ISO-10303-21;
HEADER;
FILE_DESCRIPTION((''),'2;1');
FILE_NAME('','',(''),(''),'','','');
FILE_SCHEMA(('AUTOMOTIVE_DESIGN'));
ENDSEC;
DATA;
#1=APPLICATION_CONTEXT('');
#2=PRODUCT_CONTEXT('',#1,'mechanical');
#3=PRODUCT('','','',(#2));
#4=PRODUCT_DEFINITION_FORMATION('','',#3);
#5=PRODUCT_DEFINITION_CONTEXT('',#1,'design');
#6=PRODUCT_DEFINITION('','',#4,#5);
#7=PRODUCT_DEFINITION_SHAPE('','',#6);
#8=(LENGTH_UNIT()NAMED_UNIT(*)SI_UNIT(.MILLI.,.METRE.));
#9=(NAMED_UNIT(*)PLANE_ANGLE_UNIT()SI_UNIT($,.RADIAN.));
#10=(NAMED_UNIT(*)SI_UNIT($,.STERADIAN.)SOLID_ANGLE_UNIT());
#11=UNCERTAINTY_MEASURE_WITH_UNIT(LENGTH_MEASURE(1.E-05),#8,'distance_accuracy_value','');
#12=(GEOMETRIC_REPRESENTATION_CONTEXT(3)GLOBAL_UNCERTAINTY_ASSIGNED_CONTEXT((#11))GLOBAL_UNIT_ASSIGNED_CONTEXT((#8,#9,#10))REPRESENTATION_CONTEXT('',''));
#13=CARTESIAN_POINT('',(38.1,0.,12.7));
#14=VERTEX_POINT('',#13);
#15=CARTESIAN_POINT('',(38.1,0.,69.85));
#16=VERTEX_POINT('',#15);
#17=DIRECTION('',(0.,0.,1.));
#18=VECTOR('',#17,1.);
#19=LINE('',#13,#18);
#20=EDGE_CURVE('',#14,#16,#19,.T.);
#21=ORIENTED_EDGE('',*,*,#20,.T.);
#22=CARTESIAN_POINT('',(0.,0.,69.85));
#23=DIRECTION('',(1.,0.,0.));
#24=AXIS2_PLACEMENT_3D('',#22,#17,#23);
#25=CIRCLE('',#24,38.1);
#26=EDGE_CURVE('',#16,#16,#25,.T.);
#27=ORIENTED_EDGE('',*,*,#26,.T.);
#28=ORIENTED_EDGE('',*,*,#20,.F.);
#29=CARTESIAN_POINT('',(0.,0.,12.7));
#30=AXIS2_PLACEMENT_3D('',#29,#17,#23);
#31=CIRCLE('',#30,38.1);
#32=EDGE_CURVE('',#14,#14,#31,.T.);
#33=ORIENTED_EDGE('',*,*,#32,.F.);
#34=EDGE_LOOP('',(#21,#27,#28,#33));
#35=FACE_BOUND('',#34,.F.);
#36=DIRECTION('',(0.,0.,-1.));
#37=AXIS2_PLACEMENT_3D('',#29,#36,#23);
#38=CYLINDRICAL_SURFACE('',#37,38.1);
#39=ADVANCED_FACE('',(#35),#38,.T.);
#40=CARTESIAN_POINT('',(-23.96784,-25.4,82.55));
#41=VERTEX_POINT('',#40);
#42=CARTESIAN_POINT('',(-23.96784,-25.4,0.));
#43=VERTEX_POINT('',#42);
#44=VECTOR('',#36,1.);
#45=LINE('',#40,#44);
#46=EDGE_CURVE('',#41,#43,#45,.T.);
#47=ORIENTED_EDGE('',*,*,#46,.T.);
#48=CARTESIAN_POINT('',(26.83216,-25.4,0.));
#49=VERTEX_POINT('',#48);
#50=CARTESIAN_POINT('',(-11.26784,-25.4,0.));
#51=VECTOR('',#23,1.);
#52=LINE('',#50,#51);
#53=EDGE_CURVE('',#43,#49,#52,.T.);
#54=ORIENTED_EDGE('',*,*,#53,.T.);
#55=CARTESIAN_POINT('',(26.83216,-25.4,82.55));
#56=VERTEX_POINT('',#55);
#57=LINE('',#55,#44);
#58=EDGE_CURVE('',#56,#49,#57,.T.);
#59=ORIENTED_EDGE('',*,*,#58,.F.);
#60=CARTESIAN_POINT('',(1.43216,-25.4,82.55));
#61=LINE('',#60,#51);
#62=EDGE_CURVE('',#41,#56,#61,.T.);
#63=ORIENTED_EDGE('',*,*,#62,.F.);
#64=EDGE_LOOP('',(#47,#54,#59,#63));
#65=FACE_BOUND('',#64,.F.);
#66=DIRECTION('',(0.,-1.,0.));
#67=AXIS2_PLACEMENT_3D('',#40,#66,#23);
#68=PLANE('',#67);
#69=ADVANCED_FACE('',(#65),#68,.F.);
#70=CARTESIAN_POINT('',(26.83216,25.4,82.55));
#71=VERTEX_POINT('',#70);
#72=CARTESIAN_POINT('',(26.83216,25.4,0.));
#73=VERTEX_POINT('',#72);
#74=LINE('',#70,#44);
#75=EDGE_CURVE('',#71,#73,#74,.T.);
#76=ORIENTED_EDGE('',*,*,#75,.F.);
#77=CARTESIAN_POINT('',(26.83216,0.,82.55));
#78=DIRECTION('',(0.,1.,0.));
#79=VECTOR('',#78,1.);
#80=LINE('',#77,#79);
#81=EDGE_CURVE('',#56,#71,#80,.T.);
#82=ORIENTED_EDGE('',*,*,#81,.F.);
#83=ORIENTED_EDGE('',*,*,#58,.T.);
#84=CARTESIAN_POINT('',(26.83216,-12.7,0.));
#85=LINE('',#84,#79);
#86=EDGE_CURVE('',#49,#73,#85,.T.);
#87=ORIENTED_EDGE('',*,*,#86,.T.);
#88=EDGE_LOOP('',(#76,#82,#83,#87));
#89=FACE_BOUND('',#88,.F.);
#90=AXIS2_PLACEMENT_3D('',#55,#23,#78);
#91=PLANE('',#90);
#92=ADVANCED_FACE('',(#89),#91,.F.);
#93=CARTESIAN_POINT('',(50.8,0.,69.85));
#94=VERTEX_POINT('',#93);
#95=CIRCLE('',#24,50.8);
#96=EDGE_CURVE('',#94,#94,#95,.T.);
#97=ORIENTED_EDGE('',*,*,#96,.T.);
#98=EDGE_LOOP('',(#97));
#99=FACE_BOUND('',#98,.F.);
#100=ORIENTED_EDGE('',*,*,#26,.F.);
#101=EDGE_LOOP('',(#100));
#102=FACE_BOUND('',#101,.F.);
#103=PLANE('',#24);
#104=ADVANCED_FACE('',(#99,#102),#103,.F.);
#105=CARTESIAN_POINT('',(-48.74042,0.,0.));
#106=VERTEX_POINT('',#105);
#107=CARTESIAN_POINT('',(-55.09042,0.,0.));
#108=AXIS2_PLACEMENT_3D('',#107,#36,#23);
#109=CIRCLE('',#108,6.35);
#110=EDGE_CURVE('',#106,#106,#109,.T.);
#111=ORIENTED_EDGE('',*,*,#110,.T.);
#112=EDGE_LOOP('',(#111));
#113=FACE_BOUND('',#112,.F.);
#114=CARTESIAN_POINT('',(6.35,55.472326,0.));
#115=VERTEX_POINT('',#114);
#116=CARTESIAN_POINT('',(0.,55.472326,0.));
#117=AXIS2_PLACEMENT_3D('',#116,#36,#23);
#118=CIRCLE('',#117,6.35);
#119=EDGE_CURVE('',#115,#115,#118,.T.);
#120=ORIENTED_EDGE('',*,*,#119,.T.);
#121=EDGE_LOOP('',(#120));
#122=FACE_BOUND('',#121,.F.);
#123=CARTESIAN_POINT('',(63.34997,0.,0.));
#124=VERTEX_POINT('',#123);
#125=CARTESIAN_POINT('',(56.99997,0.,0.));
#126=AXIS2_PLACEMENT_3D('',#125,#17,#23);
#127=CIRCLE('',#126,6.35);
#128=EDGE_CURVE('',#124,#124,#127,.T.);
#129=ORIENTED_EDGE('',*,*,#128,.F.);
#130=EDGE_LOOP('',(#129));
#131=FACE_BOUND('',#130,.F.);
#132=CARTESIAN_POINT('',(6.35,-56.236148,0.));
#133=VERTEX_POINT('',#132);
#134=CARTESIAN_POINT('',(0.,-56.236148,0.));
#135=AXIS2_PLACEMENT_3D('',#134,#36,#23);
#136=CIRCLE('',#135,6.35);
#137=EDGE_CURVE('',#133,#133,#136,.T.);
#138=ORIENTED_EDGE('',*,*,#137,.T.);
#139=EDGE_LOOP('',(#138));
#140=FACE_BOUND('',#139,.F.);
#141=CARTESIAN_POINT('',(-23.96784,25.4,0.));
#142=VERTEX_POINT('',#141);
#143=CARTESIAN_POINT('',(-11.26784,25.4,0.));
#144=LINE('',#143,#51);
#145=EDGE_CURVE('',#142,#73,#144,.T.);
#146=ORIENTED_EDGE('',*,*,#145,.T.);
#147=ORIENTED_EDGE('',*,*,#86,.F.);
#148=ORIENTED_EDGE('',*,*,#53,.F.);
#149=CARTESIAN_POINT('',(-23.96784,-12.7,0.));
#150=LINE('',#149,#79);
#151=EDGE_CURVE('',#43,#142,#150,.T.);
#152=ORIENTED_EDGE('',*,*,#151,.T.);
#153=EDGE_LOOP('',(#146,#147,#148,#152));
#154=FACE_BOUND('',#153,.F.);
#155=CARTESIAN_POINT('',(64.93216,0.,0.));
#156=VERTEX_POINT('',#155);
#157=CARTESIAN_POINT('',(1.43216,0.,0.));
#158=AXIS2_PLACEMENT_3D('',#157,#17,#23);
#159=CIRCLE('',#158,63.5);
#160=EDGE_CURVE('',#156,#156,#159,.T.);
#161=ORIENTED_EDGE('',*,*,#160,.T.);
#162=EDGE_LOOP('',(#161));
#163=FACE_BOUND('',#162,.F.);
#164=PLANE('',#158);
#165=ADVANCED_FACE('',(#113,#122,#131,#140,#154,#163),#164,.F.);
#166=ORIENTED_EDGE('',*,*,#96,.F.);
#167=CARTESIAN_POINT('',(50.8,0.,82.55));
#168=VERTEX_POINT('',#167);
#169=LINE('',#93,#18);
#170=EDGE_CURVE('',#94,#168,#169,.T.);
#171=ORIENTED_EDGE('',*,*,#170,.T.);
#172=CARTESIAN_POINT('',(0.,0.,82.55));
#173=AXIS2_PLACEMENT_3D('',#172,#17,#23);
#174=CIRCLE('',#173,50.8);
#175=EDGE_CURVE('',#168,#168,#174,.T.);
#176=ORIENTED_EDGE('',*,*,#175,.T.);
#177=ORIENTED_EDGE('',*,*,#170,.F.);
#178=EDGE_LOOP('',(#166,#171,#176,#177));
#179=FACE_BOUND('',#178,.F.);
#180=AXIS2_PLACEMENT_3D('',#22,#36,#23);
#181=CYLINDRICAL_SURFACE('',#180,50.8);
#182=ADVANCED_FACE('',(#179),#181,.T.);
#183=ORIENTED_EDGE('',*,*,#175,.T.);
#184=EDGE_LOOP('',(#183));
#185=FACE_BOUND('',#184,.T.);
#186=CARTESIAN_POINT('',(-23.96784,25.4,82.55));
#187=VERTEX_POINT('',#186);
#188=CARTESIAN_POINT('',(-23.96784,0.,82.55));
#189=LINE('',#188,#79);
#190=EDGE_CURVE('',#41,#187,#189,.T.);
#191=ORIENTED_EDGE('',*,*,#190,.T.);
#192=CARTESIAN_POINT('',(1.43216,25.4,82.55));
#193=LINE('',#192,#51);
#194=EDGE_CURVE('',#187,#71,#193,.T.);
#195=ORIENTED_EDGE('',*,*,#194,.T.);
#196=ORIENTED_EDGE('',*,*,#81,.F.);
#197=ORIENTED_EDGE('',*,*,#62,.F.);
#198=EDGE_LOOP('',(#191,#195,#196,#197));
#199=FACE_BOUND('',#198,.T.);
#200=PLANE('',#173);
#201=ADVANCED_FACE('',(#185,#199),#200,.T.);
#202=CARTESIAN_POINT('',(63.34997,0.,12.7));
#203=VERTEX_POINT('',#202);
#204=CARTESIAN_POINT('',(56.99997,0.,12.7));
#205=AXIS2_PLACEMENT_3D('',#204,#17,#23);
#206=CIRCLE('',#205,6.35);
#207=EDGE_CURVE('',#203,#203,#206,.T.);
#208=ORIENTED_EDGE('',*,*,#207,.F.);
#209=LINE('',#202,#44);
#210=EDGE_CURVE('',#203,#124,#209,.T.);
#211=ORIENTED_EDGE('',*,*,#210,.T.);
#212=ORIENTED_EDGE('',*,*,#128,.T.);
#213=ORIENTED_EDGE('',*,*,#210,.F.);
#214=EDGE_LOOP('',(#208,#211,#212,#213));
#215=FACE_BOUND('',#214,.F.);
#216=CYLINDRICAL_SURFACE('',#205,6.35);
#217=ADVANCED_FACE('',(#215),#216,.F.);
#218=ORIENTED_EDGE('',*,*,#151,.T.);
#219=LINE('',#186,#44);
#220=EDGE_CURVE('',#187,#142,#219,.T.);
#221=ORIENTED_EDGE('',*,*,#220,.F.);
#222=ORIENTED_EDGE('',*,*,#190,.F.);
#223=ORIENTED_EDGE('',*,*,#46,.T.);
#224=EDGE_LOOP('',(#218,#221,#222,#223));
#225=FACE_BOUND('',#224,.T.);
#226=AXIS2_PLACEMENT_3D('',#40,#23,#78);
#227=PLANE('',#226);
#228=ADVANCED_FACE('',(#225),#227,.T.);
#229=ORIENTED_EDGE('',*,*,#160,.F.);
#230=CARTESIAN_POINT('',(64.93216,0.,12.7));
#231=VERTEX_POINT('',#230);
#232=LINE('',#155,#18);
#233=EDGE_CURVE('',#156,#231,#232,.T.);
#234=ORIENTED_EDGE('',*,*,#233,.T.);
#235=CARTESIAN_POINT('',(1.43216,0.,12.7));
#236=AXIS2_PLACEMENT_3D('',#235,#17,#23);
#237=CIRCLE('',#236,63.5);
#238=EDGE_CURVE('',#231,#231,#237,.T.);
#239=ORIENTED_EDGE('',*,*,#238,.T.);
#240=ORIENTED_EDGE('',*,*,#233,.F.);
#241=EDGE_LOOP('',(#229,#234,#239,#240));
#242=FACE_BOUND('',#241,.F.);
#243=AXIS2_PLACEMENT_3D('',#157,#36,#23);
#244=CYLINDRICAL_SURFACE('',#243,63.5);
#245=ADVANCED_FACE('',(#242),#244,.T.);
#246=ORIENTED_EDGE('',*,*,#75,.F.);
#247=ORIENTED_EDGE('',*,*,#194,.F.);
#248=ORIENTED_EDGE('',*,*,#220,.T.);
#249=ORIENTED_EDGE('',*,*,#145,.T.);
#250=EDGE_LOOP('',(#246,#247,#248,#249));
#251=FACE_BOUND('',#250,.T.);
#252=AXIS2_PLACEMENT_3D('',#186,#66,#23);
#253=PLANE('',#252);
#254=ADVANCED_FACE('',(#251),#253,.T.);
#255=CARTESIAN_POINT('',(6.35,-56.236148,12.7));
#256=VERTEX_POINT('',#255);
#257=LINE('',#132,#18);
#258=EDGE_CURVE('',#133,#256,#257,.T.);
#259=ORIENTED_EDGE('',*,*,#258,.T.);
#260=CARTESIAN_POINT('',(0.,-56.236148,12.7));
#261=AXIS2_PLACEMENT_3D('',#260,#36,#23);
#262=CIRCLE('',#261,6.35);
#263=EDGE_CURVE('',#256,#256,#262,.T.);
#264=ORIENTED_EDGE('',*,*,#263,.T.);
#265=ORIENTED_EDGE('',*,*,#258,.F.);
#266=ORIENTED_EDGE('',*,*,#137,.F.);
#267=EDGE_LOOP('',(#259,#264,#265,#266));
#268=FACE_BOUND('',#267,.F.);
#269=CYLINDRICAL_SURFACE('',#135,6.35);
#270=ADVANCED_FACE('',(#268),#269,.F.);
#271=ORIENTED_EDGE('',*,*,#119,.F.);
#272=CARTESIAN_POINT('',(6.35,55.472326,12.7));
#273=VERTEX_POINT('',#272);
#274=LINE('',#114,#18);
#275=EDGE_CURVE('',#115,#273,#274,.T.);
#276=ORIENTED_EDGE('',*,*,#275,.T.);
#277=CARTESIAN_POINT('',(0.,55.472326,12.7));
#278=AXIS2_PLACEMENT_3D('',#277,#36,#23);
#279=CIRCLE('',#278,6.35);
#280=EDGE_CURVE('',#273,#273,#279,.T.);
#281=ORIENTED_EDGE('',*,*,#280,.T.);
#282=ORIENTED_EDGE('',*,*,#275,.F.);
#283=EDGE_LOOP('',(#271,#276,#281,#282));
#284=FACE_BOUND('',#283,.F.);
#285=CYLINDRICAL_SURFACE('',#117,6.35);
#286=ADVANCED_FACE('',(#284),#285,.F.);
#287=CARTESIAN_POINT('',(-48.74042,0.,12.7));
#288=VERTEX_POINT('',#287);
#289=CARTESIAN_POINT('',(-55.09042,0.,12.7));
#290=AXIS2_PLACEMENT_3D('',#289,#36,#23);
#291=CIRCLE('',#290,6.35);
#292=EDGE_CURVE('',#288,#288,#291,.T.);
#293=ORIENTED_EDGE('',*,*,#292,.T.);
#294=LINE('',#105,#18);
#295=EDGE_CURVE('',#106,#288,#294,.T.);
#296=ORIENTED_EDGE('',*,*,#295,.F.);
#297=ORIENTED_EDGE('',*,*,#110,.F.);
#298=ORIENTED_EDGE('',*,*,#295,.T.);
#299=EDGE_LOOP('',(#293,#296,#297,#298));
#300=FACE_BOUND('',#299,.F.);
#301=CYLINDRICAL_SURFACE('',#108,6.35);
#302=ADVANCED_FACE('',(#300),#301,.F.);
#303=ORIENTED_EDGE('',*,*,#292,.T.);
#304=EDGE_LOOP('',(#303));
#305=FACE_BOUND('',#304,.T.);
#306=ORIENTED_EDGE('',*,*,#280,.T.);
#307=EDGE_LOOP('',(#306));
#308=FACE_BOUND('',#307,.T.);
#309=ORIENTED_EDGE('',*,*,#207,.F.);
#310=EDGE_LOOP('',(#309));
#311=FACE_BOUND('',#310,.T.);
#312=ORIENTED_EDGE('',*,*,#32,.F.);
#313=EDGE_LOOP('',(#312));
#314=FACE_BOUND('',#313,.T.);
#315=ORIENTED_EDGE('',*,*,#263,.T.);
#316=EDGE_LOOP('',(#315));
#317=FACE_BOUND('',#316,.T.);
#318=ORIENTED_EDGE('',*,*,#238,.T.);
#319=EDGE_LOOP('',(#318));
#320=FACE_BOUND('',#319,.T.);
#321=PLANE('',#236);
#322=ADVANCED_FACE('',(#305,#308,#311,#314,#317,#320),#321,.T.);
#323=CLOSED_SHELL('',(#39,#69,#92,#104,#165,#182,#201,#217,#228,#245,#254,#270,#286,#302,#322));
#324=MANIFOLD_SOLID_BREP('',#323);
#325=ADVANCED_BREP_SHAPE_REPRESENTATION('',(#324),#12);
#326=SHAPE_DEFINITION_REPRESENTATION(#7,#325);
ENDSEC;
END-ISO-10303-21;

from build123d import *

# Parameters (mm, degrees)
F0_R      = 63.5
F1_DEPTH  = 12.7
F2_R      = 38.1
F3_DEPTH  = 57.15
F4_R      = 50.8
F5_DEPTH  = 12.7
F6_R      = 6.35
F7_DEPTH  = 25.4
F8_R      = 6.35
F9_DEPTH  = 25.4
F10_R     = 6.35
F11_DEPTH = 25.4
F12_R     = 6.35
F13_DEPTH = 25.4
F14_W     = 50.8
F14_H     = 50.8
F15_DEPTH = 101.6


with BuildPart() as f1:
    # F0 (on Top) → F1 (new body)
    with BuildSketch(Plane.XY):
        with Locations((1.4321604976, 0)):
            Circle(F0_R)
    extrude(amount=F1_DEPTH)

    # F2 (on face) → F3 (join)
    with BuildSketch(Plane.XY.offset(12.7)):
        Circle(F2_R)
    extrude(amount=F3_DEPTH)

    # F4 (on face) → F5 (join)
    with BuildSketch(Plane.XY.offset(69.85)):
        Circle(F4_R)
    extrude(amount=F5_DEPTH)

    # F6 (on face) → F7 (cut)
    with BuildSketch(Plane(origin=(0, 0, 0), x_dir=(1, 0, 0), z_dir=(0, 0, -1))):
        with Locations((0, -55.4723255336)):
            Circle(F6_R)
    extrude(amount=-F7_DEPTH, mode=Mode.SUBTRACT)

    # F8 (on face) → F9 (cut)
    with BuildSketch(Plane.XY.offset(12.7)):
        with Locations((56.9999702275, 0)):
            Circle(F8_R)
    extrude(amount=-F9_DEPTH, mode=Mode.SUBTRACT)

    # F10 (on face) → F11 (cut)
    with BuildSketch(Plane(origin=(0, 0, 0), x_dir=(1, 0, 0), z_dir=(0, 0, -1))):
        with Locations((0, 56.2361478806)):
            Circle(F10_R)
    extrude(amount=-F11_DEPTH, mode=Mode.SUBTRACT)

    # F12 (on face) → F13 (cut)
    with BuildSketch(Plane(origin=(0, 0, 0), x_dir=(1, 0, 0), z_dir=(0, 0, -1))):
        with Locations((-55.0904199481, 0)):
            Circle(F12_R)
    extrude(amount=-F13_DEPTH, mode=Mode.SUBTRACT)

    # F14 (on face) → F15 (cut)
    with BuildSketch(Plane.XY.offset(82.55)):
        with Locations((1.4321604976, 0)):
            Rectangle(F14_W, F14_H)
    extrude(amount=-F15_DEPTH, mode=Mode.SUBTRACT)


solid = f1.part
